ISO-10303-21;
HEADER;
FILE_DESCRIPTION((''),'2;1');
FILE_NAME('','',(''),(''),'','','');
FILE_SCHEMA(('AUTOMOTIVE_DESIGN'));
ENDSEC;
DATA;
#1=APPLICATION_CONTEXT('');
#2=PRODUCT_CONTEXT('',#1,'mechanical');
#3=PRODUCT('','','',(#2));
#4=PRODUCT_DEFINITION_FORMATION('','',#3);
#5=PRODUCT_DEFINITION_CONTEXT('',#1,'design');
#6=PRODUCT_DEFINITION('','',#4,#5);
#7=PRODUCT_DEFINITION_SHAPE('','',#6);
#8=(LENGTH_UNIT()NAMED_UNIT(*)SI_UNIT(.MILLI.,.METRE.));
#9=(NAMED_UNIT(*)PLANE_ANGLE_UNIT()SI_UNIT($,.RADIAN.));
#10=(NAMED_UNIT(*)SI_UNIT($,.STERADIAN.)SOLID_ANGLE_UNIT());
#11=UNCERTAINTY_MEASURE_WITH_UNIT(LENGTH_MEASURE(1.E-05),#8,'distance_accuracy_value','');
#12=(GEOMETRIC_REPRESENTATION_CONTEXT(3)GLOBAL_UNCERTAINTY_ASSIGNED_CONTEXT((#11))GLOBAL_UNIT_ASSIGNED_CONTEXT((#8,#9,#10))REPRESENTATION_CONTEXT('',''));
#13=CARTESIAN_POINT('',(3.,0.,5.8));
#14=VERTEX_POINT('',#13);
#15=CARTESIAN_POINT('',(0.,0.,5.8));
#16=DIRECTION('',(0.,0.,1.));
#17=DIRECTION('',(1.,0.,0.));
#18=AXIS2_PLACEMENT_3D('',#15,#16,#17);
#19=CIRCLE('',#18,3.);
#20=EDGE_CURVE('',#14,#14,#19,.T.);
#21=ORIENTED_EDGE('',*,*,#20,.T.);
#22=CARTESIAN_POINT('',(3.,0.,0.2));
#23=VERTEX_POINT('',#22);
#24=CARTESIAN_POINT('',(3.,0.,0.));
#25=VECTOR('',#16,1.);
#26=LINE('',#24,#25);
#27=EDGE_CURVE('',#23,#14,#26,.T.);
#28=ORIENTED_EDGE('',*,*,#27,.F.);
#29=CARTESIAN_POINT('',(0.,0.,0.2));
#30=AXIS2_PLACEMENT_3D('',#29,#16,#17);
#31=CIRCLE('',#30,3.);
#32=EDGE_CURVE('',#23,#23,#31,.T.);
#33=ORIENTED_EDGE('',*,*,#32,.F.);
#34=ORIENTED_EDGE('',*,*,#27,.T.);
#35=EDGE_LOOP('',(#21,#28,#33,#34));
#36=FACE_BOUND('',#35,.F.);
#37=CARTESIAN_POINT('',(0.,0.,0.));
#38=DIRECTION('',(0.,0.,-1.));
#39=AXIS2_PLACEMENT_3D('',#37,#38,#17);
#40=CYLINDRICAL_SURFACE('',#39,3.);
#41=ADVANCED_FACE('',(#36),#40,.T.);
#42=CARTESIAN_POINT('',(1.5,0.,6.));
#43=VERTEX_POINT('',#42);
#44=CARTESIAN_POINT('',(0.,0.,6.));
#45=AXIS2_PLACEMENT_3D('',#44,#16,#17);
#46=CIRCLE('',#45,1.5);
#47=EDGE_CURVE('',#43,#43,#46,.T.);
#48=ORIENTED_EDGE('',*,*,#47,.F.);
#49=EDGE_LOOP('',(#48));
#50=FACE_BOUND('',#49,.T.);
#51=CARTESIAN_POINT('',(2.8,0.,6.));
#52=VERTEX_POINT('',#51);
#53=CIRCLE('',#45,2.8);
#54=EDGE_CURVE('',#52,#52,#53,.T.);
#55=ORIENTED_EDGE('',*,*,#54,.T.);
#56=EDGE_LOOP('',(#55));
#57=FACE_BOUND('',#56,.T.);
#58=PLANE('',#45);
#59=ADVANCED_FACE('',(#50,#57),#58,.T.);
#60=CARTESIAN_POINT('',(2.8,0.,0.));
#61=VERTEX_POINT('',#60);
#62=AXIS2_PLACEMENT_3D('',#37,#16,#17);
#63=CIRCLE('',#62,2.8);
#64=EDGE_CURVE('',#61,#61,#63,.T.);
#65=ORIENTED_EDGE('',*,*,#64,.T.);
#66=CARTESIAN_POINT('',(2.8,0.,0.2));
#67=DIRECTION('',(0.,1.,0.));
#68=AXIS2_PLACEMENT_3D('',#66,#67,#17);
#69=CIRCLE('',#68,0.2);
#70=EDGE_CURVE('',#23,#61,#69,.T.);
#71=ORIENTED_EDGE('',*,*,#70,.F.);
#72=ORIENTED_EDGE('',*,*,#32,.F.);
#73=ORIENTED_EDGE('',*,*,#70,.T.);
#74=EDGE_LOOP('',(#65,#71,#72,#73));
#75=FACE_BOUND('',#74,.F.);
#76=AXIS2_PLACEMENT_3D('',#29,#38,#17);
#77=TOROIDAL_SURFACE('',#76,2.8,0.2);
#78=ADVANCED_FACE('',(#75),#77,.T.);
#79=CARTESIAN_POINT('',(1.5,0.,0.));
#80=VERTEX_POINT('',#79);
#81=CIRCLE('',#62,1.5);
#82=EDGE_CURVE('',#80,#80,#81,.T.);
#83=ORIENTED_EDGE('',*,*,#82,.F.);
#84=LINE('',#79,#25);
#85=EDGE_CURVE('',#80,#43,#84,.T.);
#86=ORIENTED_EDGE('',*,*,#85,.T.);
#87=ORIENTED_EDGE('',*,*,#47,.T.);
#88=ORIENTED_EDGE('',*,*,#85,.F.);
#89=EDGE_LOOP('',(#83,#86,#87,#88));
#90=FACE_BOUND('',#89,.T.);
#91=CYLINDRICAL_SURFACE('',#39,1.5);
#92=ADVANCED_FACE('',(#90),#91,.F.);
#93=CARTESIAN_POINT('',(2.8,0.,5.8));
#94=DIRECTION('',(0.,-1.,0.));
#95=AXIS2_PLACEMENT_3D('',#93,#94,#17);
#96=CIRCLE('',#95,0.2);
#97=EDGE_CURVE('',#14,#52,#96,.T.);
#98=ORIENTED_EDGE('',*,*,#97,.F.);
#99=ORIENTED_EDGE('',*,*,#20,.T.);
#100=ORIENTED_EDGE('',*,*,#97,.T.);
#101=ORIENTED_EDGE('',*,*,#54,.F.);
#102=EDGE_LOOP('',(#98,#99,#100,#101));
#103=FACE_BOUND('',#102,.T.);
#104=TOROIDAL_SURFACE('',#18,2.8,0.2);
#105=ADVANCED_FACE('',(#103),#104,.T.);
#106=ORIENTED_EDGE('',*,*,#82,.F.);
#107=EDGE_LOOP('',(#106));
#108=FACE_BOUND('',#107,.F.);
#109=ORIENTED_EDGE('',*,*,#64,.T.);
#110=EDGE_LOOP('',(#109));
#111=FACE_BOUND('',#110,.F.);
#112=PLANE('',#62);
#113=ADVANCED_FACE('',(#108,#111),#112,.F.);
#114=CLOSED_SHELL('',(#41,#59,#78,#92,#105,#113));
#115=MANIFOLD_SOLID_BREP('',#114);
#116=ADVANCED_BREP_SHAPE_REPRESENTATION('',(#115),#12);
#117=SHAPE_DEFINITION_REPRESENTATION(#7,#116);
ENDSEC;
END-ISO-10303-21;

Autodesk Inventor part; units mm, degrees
ref_plane "YZ Plane" through (0, 0, 0) normal (1, 0, 0) x (0, 1, 0)
ref_plane "XZ Plane" through (0, 0, 0) normal (0, 1, 0) x (-1, 0, 0)
ref_plane "XY Plane" through (0, 0, 0) normal (0, 0, 1) x (1, 0, 0)
sketch "スケッチ1" plane through (0, 0, 0) normal (0, 0, 1) x (1, 0, 0)
  circle A0 centre (0, 0) radius 3
  circle A1 centre (0, 0) radius 1.5
  dimension "d0" = 6
  dimension "d1" = 3
extrude "押し出し1" add sketch "スケッチ1" along normal blind 6
fillet "フィレット1" radius 0.2 2 edges at (-3, 0, 0) (-3, 0, 6)
properties part number "スペーサー中空M3L6アルミ" material "アルミニウム 2014-T4"
